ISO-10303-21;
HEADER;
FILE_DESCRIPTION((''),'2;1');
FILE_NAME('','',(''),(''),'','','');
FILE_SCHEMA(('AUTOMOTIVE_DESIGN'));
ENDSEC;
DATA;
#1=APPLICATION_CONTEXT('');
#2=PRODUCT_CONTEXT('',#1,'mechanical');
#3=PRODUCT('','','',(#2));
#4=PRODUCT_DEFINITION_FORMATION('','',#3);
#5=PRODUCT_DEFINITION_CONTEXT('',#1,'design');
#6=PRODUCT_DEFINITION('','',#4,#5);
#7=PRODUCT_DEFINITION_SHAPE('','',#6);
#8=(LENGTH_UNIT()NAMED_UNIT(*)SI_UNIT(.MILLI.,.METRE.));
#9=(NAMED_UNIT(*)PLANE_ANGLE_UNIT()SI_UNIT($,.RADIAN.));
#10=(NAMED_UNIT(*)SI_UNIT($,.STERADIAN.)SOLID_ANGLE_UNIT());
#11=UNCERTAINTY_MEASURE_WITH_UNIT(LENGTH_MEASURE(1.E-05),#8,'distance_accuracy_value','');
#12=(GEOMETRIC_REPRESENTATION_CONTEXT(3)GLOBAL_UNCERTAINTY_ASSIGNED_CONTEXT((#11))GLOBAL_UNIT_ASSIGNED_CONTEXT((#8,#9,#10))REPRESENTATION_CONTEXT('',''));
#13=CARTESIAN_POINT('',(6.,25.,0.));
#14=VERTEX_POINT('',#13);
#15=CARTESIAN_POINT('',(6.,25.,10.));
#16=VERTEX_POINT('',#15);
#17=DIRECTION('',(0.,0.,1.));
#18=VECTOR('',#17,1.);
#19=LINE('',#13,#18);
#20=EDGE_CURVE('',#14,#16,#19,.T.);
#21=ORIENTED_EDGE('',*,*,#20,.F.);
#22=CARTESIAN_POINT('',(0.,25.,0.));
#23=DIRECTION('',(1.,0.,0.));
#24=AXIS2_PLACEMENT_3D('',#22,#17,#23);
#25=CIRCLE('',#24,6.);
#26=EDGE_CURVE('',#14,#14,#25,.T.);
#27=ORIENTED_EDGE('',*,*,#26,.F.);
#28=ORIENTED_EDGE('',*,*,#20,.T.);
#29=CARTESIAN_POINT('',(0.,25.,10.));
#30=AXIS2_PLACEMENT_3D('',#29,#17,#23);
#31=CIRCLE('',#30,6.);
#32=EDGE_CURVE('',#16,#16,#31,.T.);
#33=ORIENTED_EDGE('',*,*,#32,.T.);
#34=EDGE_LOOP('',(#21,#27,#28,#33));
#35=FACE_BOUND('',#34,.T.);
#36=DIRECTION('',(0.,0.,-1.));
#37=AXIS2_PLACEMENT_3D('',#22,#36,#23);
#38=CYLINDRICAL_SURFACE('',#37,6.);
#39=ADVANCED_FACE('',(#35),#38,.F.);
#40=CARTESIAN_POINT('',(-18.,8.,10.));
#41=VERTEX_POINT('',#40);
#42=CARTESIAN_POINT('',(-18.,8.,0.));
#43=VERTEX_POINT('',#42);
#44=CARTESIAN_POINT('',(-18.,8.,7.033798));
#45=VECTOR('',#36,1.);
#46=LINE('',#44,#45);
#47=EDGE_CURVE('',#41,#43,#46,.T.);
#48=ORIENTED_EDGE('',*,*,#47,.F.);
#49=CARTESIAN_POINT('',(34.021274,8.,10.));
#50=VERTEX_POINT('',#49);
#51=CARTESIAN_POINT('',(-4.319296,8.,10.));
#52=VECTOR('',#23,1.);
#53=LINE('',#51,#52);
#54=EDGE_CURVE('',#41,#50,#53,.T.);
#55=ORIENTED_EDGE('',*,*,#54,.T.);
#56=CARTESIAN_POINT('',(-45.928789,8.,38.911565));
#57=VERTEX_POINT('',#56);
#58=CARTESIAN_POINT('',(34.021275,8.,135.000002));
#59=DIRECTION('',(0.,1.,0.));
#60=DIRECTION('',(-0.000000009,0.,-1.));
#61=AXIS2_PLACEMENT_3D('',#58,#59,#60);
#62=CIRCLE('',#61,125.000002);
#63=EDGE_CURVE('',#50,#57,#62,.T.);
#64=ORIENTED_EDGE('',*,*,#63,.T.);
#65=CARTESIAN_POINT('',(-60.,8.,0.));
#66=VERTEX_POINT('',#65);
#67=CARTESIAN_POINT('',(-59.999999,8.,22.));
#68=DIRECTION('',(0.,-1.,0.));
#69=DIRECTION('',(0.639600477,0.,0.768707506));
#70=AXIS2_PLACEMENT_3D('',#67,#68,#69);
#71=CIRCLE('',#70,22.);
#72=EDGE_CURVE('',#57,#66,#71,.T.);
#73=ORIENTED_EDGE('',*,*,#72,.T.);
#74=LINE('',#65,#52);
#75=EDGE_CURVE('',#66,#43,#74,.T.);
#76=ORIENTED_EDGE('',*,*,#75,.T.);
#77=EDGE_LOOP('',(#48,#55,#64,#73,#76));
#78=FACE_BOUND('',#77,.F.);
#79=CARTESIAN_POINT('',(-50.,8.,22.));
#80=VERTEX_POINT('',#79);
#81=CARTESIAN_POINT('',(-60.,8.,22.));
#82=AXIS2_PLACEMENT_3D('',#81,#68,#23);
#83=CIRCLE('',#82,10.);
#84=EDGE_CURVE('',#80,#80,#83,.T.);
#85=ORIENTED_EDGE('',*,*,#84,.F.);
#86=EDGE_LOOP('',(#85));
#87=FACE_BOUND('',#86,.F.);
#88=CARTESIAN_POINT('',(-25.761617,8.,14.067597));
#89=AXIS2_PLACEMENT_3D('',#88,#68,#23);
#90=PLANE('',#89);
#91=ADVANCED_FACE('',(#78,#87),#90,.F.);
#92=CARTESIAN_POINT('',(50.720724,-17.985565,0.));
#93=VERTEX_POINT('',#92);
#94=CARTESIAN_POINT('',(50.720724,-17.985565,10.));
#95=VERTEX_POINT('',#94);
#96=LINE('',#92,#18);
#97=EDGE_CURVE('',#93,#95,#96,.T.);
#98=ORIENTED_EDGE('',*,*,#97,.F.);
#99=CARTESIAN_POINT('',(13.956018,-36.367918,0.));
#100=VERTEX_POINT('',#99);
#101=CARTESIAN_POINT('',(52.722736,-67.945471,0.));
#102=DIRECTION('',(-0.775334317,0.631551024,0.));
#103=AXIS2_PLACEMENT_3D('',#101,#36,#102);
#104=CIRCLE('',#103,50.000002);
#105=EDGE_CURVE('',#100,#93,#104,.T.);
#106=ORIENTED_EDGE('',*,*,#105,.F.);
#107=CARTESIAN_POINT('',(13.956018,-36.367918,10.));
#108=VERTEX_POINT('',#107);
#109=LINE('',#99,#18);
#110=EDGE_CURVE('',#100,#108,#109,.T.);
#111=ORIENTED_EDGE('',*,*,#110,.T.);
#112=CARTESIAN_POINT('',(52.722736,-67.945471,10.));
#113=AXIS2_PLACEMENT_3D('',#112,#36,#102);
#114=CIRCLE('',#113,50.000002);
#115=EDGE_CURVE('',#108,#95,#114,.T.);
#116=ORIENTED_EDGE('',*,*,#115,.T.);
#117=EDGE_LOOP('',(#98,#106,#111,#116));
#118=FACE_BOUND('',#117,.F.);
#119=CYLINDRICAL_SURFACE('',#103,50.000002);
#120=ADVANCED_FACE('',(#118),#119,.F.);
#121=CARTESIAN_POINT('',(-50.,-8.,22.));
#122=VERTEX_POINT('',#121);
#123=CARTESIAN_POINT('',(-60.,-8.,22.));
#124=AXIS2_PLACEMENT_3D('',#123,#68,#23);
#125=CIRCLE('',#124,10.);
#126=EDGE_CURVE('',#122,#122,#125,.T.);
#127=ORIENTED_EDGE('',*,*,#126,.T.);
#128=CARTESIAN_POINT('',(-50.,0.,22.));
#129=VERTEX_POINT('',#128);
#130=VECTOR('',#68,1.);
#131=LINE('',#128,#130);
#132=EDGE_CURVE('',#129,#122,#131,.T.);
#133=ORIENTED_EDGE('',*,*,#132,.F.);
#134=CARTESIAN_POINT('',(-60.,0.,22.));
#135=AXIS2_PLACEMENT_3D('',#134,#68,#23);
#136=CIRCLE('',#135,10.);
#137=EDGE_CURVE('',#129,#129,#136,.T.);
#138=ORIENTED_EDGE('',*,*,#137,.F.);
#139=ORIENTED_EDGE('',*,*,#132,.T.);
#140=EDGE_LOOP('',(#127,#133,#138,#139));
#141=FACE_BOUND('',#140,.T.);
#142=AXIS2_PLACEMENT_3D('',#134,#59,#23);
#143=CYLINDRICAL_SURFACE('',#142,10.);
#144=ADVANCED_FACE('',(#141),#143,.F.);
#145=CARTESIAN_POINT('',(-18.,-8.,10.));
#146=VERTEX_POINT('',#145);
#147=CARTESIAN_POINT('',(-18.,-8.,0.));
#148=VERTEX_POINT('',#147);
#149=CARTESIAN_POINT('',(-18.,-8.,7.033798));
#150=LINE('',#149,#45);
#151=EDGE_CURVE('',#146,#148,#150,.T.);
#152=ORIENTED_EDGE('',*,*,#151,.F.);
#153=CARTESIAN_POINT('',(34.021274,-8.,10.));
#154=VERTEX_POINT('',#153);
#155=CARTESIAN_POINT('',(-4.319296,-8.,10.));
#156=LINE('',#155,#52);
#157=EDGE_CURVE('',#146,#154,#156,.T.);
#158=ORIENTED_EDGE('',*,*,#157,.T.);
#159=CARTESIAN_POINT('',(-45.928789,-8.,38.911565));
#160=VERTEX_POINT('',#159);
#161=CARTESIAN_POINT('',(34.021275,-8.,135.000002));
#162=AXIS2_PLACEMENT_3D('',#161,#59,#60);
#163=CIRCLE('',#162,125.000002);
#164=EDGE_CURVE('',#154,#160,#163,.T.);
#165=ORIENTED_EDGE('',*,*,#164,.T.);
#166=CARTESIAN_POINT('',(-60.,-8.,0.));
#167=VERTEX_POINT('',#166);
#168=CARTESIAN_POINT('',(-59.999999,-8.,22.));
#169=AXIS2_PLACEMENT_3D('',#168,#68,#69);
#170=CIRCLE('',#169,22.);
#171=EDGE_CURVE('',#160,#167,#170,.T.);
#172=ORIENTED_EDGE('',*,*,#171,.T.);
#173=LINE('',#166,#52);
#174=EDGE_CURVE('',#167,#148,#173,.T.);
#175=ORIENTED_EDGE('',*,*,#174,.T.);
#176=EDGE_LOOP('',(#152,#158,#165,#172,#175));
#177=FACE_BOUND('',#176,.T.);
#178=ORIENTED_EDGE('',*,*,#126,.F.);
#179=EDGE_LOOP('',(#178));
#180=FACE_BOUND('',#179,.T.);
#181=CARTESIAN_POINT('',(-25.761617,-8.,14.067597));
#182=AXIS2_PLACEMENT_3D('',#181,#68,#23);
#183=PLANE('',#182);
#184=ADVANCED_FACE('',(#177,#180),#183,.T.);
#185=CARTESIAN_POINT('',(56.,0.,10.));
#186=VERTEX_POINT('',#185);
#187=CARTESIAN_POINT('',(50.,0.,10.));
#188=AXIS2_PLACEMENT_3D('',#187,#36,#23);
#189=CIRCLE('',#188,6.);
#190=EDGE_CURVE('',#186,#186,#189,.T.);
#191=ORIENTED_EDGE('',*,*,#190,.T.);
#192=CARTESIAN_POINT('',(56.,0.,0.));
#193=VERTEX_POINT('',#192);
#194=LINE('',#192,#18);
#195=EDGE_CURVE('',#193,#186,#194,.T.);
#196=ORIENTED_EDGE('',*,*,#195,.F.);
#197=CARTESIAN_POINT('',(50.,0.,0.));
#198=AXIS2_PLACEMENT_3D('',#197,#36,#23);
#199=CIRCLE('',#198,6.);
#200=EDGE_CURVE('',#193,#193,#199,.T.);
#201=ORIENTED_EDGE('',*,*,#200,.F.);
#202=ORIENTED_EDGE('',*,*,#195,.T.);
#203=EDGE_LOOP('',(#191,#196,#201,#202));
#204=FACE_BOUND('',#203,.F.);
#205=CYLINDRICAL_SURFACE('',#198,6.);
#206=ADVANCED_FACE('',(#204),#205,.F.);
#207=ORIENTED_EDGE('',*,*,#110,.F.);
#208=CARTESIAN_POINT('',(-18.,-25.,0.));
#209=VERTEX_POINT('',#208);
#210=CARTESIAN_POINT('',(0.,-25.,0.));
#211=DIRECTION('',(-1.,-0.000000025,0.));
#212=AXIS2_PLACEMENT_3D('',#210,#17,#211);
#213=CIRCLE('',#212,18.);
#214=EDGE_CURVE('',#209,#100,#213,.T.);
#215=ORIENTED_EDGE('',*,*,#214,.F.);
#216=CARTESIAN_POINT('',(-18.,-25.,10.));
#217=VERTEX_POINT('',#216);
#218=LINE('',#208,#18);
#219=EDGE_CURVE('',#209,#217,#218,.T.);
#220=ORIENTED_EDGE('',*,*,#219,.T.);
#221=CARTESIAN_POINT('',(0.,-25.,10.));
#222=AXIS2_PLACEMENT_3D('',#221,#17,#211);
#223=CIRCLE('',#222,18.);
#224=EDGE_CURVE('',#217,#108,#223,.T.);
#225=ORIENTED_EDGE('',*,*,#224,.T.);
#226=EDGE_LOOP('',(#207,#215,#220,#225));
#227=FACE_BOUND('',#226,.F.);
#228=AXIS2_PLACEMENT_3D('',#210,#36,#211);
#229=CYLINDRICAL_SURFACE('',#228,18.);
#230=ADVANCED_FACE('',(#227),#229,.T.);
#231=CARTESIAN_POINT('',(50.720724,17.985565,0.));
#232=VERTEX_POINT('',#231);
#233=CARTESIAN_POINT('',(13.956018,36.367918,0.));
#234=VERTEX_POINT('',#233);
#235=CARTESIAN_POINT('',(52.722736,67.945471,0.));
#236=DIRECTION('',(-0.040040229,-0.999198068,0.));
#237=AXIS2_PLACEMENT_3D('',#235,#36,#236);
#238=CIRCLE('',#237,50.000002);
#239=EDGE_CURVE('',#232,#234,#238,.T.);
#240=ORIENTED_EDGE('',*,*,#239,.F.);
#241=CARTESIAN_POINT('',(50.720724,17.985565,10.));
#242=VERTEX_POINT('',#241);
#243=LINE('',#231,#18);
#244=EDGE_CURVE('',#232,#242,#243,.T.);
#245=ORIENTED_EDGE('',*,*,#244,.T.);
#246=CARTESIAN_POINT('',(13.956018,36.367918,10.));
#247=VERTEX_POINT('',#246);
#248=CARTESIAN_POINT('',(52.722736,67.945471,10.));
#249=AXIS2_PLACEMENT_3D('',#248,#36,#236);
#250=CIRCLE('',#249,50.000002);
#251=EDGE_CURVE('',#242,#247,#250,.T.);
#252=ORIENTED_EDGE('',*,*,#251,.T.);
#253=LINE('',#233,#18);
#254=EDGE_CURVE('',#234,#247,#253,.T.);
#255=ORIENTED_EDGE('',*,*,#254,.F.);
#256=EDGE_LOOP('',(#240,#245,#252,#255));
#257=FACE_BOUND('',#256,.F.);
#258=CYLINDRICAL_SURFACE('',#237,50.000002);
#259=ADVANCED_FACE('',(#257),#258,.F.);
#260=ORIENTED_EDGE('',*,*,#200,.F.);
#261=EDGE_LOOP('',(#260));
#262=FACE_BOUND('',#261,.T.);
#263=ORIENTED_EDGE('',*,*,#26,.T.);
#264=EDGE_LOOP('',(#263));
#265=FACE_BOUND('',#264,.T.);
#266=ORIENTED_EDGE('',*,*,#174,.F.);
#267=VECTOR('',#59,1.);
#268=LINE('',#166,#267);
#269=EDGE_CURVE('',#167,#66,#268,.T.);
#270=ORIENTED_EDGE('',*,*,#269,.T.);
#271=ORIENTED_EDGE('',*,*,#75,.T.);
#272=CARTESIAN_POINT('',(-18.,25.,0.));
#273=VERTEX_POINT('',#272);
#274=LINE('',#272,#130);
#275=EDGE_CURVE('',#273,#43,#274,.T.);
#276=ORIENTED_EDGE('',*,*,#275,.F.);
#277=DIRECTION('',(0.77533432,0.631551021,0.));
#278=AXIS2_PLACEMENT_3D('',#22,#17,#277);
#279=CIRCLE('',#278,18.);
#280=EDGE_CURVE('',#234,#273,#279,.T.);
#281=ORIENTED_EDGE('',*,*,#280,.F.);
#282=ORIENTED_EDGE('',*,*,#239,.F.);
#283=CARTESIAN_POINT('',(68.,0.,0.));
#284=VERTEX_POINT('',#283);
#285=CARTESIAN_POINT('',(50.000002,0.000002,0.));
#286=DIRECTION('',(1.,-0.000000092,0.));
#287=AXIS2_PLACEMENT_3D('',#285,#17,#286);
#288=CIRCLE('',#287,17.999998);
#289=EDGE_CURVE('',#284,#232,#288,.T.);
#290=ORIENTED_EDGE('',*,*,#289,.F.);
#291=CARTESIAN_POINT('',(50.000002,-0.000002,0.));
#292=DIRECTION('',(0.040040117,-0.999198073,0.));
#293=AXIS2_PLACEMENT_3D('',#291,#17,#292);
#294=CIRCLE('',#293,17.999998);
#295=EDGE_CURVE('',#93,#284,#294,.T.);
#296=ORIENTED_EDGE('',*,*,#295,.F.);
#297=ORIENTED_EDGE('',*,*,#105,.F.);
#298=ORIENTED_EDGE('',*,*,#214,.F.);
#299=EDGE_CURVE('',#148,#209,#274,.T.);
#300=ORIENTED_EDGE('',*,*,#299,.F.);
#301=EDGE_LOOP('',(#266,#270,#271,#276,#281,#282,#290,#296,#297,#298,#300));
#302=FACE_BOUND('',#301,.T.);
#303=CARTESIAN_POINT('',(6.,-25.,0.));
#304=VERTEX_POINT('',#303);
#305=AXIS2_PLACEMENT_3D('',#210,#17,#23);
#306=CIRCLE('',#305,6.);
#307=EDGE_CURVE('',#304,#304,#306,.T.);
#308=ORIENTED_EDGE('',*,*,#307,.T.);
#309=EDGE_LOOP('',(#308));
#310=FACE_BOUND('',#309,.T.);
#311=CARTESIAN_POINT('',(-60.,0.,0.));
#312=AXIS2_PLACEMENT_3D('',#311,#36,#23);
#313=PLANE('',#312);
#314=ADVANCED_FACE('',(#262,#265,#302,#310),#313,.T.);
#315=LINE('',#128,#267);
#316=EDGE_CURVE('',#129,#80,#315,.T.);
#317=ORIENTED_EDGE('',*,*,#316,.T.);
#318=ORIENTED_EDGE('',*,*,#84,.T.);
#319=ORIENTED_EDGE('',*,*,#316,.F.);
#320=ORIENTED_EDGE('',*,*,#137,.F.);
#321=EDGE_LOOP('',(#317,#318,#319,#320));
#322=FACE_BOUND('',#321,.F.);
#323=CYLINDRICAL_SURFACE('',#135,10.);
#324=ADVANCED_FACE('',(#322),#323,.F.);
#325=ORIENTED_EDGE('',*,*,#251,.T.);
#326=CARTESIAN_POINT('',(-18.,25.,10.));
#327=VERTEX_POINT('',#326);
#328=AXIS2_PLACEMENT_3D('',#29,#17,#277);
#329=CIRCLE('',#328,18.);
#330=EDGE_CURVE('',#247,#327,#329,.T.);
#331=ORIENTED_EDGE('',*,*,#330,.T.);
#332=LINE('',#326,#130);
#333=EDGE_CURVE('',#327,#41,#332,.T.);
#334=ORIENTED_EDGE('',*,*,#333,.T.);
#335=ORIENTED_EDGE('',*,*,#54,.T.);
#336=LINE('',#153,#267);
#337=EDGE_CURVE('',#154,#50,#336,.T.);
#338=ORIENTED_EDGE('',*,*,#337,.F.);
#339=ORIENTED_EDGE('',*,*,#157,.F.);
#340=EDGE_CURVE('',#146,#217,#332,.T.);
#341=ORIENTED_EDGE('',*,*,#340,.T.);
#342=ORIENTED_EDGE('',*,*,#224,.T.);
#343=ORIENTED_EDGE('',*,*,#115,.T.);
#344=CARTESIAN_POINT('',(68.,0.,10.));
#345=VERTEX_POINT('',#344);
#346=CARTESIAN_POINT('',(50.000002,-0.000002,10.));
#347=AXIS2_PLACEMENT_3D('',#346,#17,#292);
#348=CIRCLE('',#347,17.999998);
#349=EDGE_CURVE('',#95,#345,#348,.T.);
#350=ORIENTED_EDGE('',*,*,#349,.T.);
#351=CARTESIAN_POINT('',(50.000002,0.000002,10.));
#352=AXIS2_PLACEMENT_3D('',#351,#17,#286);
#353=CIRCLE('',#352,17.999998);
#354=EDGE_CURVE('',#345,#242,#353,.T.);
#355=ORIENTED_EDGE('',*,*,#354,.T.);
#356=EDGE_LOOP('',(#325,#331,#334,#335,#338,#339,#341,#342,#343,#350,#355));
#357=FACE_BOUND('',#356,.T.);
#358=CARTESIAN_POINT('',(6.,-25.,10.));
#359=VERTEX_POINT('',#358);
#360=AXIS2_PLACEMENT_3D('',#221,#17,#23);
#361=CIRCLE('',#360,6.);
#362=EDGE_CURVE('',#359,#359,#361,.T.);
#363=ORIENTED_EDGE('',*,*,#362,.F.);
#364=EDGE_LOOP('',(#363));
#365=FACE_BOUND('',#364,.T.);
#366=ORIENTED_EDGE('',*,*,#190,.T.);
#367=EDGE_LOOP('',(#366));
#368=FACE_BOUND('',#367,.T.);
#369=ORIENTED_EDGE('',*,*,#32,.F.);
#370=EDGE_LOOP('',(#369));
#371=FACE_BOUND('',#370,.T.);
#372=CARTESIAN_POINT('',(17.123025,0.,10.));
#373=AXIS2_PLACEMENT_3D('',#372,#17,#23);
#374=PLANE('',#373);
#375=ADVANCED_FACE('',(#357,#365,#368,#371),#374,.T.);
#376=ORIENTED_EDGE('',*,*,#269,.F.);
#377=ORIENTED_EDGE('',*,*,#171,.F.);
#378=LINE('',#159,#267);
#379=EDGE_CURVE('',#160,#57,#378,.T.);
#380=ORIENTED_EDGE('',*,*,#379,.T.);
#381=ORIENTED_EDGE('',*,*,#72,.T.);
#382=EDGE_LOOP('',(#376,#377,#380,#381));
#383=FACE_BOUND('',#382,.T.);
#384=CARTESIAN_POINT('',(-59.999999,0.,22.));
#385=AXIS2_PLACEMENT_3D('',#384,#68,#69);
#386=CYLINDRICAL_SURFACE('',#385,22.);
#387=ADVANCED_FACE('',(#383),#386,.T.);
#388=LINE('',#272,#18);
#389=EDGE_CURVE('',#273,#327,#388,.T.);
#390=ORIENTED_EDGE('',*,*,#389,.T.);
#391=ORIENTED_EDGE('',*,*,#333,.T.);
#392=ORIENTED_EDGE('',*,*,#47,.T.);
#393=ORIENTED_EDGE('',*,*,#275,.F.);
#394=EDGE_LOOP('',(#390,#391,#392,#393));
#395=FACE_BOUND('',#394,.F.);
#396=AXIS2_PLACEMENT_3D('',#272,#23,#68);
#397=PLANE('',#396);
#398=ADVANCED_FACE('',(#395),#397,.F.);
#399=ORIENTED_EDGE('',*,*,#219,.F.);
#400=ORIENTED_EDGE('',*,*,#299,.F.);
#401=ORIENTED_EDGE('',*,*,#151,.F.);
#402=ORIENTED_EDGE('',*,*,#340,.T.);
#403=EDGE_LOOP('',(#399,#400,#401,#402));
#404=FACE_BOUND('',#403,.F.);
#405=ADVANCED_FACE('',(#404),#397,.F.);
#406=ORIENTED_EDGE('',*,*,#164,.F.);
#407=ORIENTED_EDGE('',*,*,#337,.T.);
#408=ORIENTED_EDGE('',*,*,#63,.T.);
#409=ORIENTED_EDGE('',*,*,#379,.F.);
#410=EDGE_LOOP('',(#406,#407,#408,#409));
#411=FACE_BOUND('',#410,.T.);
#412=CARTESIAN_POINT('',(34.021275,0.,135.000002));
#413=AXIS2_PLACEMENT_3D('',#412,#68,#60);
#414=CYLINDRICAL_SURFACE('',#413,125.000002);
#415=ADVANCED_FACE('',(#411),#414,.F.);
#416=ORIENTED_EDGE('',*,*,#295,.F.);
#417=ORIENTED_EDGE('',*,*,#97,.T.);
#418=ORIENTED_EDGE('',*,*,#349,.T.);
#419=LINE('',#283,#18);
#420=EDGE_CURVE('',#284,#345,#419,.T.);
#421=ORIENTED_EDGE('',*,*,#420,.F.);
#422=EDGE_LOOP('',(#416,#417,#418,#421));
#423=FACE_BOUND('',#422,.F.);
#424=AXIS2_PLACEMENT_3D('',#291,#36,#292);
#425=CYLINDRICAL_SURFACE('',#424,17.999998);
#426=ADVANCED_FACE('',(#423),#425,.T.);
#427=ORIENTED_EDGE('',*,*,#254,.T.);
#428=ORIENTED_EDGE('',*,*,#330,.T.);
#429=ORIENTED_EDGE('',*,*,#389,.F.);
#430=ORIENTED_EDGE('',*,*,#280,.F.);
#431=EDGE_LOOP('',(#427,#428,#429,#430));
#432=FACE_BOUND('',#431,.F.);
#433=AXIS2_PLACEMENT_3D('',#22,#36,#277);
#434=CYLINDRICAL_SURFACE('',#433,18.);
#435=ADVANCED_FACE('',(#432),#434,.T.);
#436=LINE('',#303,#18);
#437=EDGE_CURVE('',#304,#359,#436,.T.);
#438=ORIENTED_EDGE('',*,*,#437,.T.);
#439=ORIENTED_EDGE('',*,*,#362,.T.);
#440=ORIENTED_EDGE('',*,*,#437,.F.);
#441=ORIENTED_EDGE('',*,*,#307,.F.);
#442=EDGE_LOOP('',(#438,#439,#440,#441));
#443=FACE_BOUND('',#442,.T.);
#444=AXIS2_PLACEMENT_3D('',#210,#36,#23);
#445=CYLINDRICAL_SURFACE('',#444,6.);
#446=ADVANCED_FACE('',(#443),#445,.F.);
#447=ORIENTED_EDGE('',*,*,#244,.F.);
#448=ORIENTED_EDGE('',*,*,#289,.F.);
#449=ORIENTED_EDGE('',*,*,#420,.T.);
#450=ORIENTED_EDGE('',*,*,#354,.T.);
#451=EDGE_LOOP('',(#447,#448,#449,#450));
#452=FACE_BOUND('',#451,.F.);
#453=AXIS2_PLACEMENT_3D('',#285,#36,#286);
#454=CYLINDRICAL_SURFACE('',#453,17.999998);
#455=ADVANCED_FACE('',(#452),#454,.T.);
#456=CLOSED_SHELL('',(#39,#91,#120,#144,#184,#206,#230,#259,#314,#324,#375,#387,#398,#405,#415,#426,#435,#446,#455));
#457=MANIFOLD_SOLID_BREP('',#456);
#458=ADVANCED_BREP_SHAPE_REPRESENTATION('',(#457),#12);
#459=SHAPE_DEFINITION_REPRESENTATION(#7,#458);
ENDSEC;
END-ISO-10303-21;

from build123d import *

# Parameters (mm, degrees)
F0_R          = 6
F1_DEPTH      = 10
F2_R          = 10
F3_DEPTH      = 8
F3_DEPTH_BACK = 8


with BuildPart() as f1:
    # F0 (on Top) → F1 (new body)
    with BuildSketch(Plane.XY):
        with BuildLine():
            ThreePointArc((50.720724, 17.985565), (30.362055, 23.224109), (13.956018, 36.367918))
            ThreePointArc((13.956018, 36.367918), (-6.032896, 41.958896), (-18, 25))
            Line((-18, 25), (-18, 0))
            Line((-18, 0), (-18, -25))
            ThreePointArc((-18, -25), (-6.032896, -41.958896), (13.956018, -36.367918))
            ThreePointArc((13.956018, -36.367918), (30.362055, -23.224109), (50.720724, -17.985565))
            ThreePointArc((50.720724, -17.985565), (62.980236, -12.470505), (68, 0))
            ThreePointArc((68, 0), (62.980236, 12.470505), (50.720724, 17.985565))
        make_face()
        with Locations((0, -25)):
            Circle(F0_R, mode=Mode.SUBTRACT)
        with Locations((0, 25)):
            Circle(F0_R, mode=Mode.SUBTRACT)
        with BuildLine():
            ThreePointArc((44, 0), (50, 6), (56, 0))
            ThreePointArc((56, 0), (50, -6), (44, 0))
        make_face(mode=Mode.SUBTRACT)
    extrude(amount=F1_DEPTH)

    # F2 (on Front) → F3 (join, two sides)
    with BuildSketch(Plane.XZ) as f3_sk:
        with BuildLine():
            Line((-60, 0), (0, 0))
            Line((0, 0), (34.021274, 0))
            Line((34.021274, 0), (34.021274, 10))
            ThreePointArc((34.021274, 10), (-8.487228, 17.449895), (-45.928789, 38.911565))
            ThreePointArc((-45.928789, 38.911565), (-80.688818, 29.481496), (-60, 0))
        make_face()
        with Locations((-60, 22)):
            Circle(F2_R, mode=Mode.SUBTRACT)
    extrude(amount=F3_DEPTH)
    extrude(f3_sk.sketch, amount=-F3_DEPTH_BACK)


solid = f1.part
